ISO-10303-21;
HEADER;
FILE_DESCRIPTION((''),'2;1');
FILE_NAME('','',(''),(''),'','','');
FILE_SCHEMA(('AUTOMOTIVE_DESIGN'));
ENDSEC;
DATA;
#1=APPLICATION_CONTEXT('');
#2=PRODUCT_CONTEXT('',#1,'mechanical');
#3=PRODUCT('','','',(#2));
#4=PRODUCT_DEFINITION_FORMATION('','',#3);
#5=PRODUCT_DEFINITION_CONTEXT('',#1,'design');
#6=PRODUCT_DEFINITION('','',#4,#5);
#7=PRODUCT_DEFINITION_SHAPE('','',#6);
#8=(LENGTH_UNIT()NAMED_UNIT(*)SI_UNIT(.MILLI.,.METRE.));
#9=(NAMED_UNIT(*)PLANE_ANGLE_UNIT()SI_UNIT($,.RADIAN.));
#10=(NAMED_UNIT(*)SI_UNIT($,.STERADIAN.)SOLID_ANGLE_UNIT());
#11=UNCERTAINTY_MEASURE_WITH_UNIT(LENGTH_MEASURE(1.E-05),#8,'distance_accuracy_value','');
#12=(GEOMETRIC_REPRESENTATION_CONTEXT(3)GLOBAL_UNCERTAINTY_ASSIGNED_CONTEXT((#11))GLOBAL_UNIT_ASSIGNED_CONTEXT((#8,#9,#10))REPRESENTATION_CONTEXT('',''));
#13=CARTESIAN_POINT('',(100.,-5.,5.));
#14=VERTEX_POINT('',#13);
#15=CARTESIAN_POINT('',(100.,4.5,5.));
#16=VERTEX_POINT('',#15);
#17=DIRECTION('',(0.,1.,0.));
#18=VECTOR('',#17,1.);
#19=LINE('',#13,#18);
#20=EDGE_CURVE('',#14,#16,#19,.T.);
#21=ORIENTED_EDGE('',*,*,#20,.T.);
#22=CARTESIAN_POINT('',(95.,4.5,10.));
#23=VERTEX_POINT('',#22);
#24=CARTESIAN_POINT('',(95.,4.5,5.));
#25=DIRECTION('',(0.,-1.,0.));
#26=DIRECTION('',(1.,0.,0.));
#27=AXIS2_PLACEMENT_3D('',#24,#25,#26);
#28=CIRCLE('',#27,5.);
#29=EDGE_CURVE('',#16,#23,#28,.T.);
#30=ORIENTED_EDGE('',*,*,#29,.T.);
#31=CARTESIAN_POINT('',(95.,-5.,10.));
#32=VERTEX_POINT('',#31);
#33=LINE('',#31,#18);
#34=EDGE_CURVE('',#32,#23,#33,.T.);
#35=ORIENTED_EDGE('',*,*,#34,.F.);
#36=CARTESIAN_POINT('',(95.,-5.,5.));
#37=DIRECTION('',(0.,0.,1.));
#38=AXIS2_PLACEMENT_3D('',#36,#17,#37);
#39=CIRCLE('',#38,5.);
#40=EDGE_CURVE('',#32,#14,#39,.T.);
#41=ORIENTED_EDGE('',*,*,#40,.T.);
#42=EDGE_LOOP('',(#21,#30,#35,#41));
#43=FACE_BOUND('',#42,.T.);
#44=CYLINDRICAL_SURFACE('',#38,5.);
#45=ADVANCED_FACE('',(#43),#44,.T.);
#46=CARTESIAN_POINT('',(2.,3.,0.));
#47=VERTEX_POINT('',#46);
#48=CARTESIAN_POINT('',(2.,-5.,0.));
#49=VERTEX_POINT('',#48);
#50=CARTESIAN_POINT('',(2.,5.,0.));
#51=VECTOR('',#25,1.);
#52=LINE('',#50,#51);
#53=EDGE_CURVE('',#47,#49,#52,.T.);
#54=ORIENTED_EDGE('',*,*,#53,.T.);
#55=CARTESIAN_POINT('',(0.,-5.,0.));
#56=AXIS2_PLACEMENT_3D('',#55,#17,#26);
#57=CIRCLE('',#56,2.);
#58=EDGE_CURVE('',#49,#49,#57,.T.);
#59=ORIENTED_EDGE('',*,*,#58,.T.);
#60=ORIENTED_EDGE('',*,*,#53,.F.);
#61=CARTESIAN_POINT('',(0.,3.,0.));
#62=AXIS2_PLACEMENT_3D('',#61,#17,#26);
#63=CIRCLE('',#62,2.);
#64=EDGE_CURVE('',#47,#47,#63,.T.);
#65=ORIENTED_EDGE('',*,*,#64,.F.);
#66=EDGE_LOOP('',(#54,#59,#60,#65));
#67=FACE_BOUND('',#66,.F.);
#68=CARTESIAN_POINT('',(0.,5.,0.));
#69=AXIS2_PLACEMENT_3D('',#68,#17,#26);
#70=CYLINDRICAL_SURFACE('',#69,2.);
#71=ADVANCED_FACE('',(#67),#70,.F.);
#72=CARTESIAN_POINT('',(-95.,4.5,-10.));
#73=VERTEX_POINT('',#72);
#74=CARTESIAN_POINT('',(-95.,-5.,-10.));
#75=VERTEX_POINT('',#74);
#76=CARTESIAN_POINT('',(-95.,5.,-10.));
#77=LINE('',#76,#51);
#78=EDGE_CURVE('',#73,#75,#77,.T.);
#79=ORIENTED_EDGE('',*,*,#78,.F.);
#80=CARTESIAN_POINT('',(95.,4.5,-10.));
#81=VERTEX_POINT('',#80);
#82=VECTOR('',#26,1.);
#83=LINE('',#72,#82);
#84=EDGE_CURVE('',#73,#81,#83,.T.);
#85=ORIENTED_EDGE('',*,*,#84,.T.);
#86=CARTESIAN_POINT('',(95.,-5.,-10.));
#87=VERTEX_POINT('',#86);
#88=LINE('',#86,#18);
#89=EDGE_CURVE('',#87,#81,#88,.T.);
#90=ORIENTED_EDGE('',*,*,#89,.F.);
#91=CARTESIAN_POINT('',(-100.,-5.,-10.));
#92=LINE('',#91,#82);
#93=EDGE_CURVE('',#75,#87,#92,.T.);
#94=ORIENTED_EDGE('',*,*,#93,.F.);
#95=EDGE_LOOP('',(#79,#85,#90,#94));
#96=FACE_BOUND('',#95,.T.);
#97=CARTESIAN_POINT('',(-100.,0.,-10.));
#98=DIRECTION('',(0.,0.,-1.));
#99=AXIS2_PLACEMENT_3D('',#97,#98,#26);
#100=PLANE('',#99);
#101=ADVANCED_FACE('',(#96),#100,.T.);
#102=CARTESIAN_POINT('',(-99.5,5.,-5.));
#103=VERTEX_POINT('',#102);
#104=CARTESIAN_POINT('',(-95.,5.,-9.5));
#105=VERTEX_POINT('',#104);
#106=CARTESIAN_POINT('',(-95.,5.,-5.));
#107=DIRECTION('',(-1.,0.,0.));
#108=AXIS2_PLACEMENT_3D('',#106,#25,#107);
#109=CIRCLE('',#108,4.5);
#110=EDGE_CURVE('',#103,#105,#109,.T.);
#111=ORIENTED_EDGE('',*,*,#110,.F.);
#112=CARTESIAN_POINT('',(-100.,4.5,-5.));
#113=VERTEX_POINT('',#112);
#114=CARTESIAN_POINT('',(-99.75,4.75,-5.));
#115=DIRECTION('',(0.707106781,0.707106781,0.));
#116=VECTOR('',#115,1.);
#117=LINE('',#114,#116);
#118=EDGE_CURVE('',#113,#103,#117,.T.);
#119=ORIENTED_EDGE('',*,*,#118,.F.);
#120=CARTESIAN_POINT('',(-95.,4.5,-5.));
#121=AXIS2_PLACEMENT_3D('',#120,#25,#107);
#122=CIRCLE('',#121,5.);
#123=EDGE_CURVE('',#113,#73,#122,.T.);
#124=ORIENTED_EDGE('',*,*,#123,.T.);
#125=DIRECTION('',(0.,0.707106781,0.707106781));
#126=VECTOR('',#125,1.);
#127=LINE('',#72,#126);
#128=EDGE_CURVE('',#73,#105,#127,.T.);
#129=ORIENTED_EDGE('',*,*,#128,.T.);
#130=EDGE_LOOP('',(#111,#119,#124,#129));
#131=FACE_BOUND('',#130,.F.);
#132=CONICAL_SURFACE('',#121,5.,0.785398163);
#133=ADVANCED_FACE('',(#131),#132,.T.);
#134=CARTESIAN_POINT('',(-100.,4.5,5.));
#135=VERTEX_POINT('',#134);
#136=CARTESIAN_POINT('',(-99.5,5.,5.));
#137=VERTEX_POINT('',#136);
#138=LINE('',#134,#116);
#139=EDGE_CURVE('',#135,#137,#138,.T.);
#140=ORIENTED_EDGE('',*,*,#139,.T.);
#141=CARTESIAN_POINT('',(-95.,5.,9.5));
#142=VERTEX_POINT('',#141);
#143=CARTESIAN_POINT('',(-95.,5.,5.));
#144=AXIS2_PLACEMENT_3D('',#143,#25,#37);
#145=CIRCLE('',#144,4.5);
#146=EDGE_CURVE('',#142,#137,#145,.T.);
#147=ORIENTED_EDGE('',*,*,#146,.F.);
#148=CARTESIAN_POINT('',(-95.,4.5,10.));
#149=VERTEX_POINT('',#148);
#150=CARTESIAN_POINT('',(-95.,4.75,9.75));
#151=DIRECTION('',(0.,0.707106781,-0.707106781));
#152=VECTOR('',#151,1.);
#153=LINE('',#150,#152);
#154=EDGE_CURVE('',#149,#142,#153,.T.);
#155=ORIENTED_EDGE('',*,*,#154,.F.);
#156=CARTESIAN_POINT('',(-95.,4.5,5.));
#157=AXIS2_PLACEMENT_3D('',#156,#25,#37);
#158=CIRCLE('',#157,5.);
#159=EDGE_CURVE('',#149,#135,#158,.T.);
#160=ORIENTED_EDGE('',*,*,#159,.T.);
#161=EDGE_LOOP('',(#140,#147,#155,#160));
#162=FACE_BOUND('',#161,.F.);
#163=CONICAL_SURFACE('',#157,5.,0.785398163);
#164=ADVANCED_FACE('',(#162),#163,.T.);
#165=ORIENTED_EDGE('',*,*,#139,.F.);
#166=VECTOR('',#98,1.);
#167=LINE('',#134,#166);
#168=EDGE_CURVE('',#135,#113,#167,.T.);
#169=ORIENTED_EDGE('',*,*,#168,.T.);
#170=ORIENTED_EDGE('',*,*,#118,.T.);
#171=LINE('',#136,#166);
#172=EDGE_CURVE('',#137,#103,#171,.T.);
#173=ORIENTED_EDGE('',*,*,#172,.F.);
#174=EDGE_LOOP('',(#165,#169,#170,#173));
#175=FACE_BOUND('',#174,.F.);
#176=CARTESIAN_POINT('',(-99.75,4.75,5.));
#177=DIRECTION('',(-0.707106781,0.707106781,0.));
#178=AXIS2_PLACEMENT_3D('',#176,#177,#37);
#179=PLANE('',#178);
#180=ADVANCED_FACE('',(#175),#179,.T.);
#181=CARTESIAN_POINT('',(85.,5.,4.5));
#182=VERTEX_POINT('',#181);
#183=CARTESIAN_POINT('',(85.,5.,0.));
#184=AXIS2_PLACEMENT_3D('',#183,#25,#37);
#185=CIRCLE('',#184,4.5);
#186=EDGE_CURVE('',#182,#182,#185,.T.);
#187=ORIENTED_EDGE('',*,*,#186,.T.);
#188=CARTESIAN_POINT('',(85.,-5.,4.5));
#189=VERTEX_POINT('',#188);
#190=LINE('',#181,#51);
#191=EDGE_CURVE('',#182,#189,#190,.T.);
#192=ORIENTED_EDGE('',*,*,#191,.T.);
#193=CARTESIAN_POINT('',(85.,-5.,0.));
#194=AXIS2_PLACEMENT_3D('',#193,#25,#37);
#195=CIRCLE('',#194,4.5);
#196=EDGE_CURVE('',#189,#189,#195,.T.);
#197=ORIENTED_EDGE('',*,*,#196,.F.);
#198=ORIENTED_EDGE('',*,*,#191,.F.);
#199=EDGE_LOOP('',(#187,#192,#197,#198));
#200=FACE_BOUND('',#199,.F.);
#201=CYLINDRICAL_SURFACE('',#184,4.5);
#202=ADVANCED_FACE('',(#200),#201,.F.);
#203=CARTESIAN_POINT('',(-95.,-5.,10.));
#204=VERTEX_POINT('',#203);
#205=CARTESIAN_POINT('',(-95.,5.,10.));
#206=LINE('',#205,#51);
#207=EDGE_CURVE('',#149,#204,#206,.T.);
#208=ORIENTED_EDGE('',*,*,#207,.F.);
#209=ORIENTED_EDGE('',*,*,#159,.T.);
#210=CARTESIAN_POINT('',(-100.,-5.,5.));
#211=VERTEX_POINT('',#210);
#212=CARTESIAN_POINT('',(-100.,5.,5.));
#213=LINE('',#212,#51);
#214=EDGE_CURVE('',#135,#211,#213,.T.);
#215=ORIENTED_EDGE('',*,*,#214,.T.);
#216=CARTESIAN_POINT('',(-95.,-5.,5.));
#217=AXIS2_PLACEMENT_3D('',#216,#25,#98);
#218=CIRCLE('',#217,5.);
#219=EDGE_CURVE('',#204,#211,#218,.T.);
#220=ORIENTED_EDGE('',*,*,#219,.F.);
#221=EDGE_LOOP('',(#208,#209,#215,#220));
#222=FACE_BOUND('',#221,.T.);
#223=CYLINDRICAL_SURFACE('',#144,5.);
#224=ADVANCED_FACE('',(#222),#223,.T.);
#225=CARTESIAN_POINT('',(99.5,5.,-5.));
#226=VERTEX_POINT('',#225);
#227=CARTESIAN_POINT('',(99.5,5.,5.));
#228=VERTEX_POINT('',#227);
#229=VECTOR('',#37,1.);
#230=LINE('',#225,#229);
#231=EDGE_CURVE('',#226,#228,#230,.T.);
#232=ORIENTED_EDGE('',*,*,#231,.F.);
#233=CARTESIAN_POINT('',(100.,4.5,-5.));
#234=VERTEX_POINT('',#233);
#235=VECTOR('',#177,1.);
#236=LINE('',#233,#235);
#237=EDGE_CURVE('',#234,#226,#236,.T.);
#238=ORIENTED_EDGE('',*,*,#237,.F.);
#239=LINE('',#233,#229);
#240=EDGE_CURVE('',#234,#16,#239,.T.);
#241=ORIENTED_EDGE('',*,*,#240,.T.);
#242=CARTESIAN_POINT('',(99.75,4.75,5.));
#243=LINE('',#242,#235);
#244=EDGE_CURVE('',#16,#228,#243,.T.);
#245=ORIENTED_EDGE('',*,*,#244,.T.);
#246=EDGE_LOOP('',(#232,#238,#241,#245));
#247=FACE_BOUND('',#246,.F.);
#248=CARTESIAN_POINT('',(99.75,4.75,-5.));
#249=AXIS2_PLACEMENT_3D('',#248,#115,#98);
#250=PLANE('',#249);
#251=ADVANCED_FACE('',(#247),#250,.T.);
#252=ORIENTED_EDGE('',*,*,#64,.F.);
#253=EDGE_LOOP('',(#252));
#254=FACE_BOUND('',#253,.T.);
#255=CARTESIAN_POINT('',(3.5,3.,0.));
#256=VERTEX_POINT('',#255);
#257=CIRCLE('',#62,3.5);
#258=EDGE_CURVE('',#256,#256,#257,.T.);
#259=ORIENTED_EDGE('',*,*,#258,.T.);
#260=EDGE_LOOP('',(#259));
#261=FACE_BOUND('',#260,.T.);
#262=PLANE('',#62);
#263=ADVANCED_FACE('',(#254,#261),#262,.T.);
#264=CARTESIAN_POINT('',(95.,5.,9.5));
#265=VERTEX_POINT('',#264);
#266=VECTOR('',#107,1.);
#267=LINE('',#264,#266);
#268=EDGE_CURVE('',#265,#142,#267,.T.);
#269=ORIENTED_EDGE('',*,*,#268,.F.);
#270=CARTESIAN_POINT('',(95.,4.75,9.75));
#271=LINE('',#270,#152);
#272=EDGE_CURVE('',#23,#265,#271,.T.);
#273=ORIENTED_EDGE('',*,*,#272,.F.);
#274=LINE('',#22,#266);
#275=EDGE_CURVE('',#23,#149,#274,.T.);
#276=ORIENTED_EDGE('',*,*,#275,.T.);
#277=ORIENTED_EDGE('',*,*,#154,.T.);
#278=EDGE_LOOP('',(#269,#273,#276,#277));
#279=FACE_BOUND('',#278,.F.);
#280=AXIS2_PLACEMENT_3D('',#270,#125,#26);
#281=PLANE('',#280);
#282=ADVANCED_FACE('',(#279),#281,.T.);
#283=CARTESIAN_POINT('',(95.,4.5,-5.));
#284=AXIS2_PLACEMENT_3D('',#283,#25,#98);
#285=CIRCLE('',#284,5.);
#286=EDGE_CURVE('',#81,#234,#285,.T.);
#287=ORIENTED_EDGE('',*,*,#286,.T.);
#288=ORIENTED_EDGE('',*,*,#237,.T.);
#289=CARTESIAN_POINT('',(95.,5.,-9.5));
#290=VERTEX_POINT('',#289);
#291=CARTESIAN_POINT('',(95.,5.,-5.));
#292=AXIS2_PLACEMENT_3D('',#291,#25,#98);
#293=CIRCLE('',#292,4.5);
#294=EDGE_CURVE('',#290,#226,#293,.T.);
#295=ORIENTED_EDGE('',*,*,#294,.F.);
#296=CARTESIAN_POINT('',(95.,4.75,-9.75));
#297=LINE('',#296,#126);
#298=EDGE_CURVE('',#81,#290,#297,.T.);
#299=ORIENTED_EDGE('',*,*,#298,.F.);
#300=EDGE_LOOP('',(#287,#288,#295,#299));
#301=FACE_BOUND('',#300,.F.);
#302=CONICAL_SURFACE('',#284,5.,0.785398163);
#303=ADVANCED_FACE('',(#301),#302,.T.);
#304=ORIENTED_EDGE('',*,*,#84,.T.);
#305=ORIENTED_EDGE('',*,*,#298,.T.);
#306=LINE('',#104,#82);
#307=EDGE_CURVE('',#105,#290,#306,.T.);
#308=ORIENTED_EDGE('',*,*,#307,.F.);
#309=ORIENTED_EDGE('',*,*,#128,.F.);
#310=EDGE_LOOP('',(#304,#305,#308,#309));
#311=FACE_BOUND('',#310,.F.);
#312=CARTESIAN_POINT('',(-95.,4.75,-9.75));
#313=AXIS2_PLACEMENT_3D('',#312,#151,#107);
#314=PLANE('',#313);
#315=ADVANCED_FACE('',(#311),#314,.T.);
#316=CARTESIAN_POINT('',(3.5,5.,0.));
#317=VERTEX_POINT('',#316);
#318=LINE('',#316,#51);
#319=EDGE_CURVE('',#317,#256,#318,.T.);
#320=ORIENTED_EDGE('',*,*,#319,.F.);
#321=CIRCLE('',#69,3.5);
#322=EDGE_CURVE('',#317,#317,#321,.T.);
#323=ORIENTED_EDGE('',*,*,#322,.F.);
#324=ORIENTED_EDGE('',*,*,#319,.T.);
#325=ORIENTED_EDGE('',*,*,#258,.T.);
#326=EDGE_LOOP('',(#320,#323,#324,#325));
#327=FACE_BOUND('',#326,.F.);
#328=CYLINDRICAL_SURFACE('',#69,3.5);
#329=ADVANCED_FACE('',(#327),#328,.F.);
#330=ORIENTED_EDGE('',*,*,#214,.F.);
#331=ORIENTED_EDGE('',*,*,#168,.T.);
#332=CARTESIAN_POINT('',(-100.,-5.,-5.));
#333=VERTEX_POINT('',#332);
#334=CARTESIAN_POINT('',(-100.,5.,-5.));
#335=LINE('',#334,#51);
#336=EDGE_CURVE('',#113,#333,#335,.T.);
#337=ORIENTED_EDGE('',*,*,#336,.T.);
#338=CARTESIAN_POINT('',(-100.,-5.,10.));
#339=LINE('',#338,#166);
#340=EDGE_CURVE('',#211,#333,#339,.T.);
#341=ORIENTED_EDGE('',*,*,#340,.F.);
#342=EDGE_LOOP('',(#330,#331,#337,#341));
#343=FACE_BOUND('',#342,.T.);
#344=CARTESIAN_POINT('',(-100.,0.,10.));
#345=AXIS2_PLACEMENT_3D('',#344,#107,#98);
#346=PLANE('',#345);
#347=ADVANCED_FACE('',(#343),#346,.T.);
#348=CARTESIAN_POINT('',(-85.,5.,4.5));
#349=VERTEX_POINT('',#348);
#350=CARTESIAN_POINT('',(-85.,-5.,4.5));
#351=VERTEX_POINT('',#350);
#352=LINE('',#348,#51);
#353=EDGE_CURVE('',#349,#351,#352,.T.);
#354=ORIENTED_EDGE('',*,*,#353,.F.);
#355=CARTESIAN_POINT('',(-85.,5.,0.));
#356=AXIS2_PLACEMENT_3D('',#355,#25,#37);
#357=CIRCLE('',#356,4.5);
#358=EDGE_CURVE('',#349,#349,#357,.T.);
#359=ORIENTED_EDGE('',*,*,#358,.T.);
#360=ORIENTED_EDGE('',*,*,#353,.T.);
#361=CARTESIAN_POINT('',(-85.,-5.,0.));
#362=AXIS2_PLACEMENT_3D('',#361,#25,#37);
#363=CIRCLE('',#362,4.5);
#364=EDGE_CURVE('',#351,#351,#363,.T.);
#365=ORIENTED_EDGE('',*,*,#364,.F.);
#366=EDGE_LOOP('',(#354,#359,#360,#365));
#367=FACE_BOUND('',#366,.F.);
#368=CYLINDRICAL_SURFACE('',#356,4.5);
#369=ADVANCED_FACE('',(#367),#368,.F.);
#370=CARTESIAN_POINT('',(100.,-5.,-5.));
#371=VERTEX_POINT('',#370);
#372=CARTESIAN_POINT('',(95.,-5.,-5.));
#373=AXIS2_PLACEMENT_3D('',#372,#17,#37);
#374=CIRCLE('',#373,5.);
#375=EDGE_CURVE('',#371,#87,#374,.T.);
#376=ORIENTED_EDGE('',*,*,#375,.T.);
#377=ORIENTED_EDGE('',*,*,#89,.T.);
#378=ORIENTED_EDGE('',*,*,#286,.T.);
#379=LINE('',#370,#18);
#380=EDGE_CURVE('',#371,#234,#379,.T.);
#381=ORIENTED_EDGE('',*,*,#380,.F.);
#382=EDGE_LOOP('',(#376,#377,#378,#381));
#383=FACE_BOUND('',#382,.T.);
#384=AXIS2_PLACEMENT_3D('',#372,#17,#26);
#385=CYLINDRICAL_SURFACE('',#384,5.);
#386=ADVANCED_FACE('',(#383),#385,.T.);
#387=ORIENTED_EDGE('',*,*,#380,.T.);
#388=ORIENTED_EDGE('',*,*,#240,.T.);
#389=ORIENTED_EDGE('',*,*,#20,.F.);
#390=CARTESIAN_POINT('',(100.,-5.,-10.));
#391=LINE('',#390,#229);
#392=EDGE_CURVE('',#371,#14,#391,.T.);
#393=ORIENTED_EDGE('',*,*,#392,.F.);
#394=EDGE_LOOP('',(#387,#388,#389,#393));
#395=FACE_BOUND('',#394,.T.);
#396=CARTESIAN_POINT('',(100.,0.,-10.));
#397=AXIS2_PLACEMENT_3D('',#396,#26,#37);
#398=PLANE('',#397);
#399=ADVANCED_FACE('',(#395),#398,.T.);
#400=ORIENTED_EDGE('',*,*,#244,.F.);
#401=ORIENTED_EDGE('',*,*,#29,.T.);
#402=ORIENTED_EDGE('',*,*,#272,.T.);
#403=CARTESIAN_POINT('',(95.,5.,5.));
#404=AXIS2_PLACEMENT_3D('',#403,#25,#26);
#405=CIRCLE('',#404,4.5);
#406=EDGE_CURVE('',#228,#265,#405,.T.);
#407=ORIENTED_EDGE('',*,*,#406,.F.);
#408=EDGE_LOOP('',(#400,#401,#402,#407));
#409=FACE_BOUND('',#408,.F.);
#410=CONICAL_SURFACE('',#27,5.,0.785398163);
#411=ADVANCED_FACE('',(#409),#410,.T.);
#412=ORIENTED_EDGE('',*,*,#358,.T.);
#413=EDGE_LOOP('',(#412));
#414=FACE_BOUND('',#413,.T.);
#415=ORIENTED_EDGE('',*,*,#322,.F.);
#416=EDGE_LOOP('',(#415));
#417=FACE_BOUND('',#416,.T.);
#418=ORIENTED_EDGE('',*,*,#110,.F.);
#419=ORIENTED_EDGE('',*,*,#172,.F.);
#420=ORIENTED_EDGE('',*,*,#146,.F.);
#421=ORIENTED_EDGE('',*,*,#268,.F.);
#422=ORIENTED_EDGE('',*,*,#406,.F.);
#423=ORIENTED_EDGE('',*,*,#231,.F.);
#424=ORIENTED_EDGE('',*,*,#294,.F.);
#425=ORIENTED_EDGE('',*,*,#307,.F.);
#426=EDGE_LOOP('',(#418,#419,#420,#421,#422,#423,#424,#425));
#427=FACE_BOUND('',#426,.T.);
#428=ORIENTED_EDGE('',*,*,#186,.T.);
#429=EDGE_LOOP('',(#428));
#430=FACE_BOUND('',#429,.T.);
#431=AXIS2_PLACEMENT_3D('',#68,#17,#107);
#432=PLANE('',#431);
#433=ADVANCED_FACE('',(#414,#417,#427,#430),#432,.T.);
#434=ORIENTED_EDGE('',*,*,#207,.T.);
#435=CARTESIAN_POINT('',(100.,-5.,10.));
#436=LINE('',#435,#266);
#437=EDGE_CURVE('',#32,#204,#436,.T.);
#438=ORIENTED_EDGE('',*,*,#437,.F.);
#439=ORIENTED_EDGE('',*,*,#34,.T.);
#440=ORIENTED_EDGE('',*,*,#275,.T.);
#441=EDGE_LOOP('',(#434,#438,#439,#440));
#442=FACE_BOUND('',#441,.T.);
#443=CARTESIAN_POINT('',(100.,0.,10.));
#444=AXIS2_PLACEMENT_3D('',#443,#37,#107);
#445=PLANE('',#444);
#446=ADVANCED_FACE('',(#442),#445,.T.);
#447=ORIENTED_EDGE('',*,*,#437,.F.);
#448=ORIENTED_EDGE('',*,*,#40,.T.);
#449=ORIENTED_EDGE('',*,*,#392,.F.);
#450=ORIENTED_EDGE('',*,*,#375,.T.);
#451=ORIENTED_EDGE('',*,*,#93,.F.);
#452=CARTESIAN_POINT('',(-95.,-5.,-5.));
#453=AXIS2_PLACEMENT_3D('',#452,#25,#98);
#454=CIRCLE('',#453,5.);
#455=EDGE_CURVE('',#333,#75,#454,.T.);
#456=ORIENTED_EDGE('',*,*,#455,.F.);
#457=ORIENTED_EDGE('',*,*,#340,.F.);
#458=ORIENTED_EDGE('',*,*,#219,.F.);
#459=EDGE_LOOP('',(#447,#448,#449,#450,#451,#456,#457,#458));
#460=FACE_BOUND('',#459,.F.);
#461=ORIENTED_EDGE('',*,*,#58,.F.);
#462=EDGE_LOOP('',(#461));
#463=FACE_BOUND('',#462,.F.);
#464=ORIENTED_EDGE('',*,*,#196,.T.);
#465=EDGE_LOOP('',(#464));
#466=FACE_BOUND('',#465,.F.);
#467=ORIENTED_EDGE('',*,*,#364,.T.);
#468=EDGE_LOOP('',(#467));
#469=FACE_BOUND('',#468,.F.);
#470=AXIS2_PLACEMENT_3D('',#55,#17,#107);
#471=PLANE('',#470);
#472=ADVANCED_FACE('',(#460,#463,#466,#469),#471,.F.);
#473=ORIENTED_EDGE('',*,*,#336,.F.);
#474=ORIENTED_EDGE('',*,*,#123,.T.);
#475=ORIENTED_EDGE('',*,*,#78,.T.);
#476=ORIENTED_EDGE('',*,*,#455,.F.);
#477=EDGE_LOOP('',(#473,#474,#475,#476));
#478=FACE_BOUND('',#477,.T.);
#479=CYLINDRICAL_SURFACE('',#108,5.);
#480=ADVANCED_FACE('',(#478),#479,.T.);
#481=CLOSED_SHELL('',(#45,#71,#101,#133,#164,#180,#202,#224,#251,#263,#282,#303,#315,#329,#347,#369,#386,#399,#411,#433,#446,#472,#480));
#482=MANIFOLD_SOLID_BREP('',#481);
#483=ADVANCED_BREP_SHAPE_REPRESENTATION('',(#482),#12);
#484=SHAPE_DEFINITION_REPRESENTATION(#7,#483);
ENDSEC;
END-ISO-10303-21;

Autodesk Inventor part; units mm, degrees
ref_plane "YZ Plane" through (0, 0, 0) normal (1, 0, 0) x (0, 1, 0)
ref_plane "XZ Plane" through (0, 0, 0) normal (0, 1, 0) x (-1, 0, 0)
ref_plane "XY Plane" through (0, 0, 0) normal (0, 0, 1) x (1, 0, 0)
sketch "Sketch1" plane through (0, 0, 0) normal (0, 1, 0) x (-1, 0, 0)
  line L0 (-100, 10) -> (100, 10)
  line L1 (100, 10) -> (100, -10)
  line L2 (100, -10) -> (-100, -10)
  line L3 (-100, -10) -> (-100, 10)
  line L4 (-100, 10) -> (100, -10) construction
  line L5 (100, 10) -> (-100, -10) construction
  point P0 (0, 0)
  dimension "Length" = 200
  dimension "Width" = 20
extrude "Extrusion1" add sketch "Sketch1" along normal mid plane 10
sketch "Sketch2" plane through (0, 5, 0) normal (0, 1, 0) x (1, 0, 0)
  circle A0 centre (0, 0) radius 2
  dimension "d4" = 4
extrude "Extrusion2" cut sketch "Sketch2" against normal up to surface (10 mm away)
sketch "Sketch3" plane through (0, 5, 0) normal (0, 1, 0) x (1, 0, 0)
  circle A0 centre (0, 0) radius 2 projected
  point P0 (-15, 0)
  point P1 (15, 0)
  dimension "d7" = 30
  dimension "d8" = 15
hole "Hole1" [suppressed]
sketch "Sketch4" plane through (0, 5, 0) normal (0, 1, 0) x (1, 0, 0)
  point P0 (0, 0)
  point P1 (-85, 0)
  point P2 (85, 0)
  dimension "d16" = 170
  dimension "d17" = 85
hole "Hole2" at (-85, 5, 0) at (85, 5, 0) direction (0, -1, 0) diameter 9 end through all
sketch "Sketch5" plane through (0, 5, 0) normal (0, 1, 0) x (1, 0, 0)
  circle A0 centre (0, 0) radius 2 projected
  circle A1 centre (0, 0) radius 3.5
  dimension "d25" = 7
extrude "Extrusion3" cut sketch "Sketch5" against normal blind 2
fillet "Fillet1" radius 5 4 edges at (-100, 0, 10) (-100, 0, -10) (100, 0, 10) (100, 0, -10)
chamfer "Chamfer1" distance 0.5 angle 45 8 edges at (0, 5, 10) (98.5355, 5, 8.5355) (100, 5, 0) (98.5355, 5, -8.5355) (0, 5, -10) (-98.5355, 5, -8.5355) (-100, 5, 0) (-98.5355, 5, 8.5355)
equation "\"d8\" = 0.5 * d7"
equation "\"d17\" = 0.5 * d16"
properties part number "Lower Arm Brass Plate" material "Brass, Soft Yellow"
